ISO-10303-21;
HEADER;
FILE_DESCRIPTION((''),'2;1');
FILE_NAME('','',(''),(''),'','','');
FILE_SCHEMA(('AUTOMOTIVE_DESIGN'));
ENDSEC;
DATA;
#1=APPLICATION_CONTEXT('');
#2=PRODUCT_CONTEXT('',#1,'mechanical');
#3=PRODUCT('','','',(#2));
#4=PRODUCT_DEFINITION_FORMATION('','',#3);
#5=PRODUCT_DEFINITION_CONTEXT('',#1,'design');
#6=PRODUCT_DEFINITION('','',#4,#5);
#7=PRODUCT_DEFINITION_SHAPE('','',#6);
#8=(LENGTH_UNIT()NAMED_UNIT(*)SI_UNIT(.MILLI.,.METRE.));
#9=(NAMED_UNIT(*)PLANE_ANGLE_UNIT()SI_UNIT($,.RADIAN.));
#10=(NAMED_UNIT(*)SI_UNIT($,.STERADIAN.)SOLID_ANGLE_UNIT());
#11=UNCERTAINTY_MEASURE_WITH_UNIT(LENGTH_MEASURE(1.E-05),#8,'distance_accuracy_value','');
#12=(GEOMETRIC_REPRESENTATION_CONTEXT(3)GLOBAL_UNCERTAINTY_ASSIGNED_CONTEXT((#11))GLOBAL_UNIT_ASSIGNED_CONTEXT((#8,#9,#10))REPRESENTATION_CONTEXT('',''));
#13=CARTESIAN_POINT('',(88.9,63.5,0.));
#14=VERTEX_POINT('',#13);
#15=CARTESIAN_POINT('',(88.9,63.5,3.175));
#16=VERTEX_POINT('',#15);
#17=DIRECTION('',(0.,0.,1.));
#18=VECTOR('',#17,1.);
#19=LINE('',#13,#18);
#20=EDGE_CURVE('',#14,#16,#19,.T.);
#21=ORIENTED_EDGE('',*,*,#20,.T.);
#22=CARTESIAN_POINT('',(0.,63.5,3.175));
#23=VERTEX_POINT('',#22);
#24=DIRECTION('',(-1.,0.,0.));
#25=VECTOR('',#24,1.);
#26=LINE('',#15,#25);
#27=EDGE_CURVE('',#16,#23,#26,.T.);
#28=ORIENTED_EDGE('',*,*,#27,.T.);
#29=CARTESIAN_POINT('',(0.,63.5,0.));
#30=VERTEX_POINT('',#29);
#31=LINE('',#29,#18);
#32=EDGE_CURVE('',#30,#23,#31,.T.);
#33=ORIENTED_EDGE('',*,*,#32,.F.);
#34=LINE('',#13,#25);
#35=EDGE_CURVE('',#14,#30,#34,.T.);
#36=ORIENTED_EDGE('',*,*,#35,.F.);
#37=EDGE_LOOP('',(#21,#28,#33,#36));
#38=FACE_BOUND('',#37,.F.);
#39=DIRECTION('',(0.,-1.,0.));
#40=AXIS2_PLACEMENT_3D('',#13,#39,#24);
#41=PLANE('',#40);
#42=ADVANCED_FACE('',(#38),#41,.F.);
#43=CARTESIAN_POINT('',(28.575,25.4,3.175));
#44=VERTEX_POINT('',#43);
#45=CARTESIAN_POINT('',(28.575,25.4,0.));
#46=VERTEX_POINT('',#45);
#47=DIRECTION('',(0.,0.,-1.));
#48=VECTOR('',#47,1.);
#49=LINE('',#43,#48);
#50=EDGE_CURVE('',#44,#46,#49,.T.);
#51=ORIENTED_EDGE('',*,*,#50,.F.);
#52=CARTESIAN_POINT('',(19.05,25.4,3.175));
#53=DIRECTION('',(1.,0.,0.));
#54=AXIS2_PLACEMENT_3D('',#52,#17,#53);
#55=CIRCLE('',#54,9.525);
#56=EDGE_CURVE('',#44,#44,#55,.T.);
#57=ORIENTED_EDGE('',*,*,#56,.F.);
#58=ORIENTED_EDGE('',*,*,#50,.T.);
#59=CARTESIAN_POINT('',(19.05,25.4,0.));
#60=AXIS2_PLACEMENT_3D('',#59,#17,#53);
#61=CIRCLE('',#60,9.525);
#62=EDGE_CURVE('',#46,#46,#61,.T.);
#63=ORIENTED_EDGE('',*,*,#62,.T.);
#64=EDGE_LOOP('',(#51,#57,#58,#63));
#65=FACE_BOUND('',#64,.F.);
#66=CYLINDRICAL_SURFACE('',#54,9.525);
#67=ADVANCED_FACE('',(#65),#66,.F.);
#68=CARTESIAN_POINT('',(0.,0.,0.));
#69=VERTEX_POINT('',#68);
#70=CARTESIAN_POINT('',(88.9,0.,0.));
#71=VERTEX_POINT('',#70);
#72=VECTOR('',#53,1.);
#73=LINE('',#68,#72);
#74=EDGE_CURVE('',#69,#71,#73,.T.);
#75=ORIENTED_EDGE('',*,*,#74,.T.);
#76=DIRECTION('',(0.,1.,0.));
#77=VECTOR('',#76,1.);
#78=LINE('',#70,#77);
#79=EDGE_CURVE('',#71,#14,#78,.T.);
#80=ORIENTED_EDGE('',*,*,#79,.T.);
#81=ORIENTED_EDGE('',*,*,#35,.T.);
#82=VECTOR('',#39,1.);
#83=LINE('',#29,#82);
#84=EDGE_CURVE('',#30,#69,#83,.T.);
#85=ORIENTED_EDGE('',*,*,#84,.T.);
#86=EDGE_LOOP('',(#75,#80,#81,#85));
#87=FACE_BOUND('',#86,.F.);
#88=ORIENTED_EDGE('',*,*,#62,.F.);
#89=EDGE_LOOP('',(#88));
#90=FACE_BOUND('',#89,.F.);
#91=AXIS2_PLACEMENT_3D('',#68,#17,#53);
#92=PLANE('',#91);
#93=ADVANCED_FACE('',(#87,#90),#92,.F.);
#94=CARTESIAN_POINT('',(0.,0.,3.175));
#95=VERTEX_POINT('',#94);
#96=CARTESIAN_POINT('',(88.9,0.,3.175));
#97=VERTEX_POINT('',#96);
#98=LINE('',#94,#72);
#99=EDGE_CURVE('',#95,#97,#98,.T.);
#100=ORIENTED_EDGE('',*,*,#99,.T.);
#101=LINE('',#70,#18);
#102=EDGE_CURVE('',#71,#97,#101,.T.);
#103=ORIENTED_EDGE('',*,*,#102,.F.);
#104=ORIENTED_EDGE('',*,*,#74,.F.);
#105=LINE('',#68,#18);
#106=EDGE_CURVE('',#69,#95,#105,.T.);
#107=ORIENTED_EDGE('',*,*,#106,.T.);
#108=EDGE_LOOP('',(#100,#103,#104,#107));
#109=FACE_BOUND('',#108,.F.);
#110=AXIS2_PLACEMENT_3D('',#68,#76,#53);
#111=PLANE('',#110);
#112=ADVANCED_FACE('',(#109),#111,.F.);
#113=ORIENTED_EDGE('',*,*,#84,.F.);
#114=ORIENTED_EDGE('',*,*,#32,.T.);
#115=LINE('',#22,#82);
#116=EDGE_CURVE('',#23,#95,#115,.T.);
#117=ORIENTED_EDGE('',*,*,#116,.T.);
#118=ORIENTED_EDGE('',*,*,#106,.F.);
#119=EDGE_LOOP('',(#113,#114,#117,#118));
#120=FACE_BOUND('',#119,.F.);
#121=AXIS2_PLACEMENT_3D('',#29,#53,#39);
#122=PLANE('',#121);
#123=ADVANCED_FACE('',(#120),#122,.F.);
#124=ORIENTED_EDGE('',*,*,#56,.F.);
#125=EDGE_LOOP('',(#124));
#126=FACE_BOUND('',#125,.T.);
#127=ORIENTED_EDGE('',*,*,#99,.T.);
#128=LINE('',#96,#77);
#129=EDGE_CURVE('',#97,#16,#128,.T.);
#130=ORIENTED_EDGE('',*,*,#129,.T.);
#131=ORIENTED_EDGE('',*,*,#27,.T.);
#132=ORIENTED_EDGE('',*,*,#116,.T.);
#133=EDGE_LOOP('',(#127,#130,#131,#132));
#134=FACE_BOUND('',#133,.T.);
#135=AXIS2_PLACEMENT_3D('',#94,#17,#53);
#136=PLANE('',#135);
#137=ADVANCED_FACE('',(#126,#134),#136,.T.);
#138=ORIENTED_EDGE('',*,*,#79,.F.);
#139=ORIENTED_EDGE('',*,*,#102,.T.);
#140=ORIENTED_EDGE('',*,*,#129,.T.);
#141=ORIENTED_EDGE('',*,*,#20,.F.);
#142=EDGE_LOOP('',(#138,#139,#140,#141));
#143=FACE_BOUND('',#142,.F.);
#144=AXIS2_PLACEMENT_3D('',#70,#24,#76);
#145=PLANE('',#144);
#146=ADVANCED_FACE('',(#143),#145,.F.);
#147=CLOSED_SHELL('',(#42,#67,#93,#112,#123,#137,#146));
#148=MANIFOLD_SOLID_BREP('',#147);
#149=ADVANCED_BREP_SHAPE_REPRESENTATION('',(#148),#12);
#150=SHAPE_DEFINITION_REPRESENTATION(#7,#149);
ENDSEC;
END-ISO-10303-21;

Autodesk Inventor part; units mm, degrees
ref_plane "YZ Plane" through (0, 0, 0) normal (1, 0, 0) x (0, 1, 0)
ref_plane "XZ Plane" through (0, 0, 0) normal (0, 1, 0) x (-1, 0, 0)
ref_plane "XY Plane" through (0, 0, 0) normal (0, 0, 1) x (1, 0, 0)
sketch "Sketch1" plane through (0, 0, 0) normal (0, 0, 1) x (1, 0, 0)
  line L0 (0, 0) -> (88.9, 0)
  line L1 (88.9, 0) -> (88.9, 63.5)
  line L2 (88.9, 63.5) -> (0, 63.5)
  line L3 (0, 63.5) -> (0, 0)
  dimension "d0" = 88.9
  dimension "d1" = 63.5
extrude "Extrusion1" add sketch "Sketch1" along normal blind 3.175
sketch "Sketch2" plane through (0, 0, 3.175) normal (0, 0, 1) x (1, 0, 0)
  line L0 (0, 0) -> (0, 63.5) projected
  line L1 (88.9, 0) -> (0, 0) projected
  circle A0 centre (19.05, 25.4) radius 9.525
  dimension "d4" = 19.05
  dimension "d5" = 19.05
  dimension "d6" = 25.4
extrude "Extrusion2" cut sketch "Sketch2" against normal through all
properties part number "Plate_VerticalRollerMount_Bottom"
